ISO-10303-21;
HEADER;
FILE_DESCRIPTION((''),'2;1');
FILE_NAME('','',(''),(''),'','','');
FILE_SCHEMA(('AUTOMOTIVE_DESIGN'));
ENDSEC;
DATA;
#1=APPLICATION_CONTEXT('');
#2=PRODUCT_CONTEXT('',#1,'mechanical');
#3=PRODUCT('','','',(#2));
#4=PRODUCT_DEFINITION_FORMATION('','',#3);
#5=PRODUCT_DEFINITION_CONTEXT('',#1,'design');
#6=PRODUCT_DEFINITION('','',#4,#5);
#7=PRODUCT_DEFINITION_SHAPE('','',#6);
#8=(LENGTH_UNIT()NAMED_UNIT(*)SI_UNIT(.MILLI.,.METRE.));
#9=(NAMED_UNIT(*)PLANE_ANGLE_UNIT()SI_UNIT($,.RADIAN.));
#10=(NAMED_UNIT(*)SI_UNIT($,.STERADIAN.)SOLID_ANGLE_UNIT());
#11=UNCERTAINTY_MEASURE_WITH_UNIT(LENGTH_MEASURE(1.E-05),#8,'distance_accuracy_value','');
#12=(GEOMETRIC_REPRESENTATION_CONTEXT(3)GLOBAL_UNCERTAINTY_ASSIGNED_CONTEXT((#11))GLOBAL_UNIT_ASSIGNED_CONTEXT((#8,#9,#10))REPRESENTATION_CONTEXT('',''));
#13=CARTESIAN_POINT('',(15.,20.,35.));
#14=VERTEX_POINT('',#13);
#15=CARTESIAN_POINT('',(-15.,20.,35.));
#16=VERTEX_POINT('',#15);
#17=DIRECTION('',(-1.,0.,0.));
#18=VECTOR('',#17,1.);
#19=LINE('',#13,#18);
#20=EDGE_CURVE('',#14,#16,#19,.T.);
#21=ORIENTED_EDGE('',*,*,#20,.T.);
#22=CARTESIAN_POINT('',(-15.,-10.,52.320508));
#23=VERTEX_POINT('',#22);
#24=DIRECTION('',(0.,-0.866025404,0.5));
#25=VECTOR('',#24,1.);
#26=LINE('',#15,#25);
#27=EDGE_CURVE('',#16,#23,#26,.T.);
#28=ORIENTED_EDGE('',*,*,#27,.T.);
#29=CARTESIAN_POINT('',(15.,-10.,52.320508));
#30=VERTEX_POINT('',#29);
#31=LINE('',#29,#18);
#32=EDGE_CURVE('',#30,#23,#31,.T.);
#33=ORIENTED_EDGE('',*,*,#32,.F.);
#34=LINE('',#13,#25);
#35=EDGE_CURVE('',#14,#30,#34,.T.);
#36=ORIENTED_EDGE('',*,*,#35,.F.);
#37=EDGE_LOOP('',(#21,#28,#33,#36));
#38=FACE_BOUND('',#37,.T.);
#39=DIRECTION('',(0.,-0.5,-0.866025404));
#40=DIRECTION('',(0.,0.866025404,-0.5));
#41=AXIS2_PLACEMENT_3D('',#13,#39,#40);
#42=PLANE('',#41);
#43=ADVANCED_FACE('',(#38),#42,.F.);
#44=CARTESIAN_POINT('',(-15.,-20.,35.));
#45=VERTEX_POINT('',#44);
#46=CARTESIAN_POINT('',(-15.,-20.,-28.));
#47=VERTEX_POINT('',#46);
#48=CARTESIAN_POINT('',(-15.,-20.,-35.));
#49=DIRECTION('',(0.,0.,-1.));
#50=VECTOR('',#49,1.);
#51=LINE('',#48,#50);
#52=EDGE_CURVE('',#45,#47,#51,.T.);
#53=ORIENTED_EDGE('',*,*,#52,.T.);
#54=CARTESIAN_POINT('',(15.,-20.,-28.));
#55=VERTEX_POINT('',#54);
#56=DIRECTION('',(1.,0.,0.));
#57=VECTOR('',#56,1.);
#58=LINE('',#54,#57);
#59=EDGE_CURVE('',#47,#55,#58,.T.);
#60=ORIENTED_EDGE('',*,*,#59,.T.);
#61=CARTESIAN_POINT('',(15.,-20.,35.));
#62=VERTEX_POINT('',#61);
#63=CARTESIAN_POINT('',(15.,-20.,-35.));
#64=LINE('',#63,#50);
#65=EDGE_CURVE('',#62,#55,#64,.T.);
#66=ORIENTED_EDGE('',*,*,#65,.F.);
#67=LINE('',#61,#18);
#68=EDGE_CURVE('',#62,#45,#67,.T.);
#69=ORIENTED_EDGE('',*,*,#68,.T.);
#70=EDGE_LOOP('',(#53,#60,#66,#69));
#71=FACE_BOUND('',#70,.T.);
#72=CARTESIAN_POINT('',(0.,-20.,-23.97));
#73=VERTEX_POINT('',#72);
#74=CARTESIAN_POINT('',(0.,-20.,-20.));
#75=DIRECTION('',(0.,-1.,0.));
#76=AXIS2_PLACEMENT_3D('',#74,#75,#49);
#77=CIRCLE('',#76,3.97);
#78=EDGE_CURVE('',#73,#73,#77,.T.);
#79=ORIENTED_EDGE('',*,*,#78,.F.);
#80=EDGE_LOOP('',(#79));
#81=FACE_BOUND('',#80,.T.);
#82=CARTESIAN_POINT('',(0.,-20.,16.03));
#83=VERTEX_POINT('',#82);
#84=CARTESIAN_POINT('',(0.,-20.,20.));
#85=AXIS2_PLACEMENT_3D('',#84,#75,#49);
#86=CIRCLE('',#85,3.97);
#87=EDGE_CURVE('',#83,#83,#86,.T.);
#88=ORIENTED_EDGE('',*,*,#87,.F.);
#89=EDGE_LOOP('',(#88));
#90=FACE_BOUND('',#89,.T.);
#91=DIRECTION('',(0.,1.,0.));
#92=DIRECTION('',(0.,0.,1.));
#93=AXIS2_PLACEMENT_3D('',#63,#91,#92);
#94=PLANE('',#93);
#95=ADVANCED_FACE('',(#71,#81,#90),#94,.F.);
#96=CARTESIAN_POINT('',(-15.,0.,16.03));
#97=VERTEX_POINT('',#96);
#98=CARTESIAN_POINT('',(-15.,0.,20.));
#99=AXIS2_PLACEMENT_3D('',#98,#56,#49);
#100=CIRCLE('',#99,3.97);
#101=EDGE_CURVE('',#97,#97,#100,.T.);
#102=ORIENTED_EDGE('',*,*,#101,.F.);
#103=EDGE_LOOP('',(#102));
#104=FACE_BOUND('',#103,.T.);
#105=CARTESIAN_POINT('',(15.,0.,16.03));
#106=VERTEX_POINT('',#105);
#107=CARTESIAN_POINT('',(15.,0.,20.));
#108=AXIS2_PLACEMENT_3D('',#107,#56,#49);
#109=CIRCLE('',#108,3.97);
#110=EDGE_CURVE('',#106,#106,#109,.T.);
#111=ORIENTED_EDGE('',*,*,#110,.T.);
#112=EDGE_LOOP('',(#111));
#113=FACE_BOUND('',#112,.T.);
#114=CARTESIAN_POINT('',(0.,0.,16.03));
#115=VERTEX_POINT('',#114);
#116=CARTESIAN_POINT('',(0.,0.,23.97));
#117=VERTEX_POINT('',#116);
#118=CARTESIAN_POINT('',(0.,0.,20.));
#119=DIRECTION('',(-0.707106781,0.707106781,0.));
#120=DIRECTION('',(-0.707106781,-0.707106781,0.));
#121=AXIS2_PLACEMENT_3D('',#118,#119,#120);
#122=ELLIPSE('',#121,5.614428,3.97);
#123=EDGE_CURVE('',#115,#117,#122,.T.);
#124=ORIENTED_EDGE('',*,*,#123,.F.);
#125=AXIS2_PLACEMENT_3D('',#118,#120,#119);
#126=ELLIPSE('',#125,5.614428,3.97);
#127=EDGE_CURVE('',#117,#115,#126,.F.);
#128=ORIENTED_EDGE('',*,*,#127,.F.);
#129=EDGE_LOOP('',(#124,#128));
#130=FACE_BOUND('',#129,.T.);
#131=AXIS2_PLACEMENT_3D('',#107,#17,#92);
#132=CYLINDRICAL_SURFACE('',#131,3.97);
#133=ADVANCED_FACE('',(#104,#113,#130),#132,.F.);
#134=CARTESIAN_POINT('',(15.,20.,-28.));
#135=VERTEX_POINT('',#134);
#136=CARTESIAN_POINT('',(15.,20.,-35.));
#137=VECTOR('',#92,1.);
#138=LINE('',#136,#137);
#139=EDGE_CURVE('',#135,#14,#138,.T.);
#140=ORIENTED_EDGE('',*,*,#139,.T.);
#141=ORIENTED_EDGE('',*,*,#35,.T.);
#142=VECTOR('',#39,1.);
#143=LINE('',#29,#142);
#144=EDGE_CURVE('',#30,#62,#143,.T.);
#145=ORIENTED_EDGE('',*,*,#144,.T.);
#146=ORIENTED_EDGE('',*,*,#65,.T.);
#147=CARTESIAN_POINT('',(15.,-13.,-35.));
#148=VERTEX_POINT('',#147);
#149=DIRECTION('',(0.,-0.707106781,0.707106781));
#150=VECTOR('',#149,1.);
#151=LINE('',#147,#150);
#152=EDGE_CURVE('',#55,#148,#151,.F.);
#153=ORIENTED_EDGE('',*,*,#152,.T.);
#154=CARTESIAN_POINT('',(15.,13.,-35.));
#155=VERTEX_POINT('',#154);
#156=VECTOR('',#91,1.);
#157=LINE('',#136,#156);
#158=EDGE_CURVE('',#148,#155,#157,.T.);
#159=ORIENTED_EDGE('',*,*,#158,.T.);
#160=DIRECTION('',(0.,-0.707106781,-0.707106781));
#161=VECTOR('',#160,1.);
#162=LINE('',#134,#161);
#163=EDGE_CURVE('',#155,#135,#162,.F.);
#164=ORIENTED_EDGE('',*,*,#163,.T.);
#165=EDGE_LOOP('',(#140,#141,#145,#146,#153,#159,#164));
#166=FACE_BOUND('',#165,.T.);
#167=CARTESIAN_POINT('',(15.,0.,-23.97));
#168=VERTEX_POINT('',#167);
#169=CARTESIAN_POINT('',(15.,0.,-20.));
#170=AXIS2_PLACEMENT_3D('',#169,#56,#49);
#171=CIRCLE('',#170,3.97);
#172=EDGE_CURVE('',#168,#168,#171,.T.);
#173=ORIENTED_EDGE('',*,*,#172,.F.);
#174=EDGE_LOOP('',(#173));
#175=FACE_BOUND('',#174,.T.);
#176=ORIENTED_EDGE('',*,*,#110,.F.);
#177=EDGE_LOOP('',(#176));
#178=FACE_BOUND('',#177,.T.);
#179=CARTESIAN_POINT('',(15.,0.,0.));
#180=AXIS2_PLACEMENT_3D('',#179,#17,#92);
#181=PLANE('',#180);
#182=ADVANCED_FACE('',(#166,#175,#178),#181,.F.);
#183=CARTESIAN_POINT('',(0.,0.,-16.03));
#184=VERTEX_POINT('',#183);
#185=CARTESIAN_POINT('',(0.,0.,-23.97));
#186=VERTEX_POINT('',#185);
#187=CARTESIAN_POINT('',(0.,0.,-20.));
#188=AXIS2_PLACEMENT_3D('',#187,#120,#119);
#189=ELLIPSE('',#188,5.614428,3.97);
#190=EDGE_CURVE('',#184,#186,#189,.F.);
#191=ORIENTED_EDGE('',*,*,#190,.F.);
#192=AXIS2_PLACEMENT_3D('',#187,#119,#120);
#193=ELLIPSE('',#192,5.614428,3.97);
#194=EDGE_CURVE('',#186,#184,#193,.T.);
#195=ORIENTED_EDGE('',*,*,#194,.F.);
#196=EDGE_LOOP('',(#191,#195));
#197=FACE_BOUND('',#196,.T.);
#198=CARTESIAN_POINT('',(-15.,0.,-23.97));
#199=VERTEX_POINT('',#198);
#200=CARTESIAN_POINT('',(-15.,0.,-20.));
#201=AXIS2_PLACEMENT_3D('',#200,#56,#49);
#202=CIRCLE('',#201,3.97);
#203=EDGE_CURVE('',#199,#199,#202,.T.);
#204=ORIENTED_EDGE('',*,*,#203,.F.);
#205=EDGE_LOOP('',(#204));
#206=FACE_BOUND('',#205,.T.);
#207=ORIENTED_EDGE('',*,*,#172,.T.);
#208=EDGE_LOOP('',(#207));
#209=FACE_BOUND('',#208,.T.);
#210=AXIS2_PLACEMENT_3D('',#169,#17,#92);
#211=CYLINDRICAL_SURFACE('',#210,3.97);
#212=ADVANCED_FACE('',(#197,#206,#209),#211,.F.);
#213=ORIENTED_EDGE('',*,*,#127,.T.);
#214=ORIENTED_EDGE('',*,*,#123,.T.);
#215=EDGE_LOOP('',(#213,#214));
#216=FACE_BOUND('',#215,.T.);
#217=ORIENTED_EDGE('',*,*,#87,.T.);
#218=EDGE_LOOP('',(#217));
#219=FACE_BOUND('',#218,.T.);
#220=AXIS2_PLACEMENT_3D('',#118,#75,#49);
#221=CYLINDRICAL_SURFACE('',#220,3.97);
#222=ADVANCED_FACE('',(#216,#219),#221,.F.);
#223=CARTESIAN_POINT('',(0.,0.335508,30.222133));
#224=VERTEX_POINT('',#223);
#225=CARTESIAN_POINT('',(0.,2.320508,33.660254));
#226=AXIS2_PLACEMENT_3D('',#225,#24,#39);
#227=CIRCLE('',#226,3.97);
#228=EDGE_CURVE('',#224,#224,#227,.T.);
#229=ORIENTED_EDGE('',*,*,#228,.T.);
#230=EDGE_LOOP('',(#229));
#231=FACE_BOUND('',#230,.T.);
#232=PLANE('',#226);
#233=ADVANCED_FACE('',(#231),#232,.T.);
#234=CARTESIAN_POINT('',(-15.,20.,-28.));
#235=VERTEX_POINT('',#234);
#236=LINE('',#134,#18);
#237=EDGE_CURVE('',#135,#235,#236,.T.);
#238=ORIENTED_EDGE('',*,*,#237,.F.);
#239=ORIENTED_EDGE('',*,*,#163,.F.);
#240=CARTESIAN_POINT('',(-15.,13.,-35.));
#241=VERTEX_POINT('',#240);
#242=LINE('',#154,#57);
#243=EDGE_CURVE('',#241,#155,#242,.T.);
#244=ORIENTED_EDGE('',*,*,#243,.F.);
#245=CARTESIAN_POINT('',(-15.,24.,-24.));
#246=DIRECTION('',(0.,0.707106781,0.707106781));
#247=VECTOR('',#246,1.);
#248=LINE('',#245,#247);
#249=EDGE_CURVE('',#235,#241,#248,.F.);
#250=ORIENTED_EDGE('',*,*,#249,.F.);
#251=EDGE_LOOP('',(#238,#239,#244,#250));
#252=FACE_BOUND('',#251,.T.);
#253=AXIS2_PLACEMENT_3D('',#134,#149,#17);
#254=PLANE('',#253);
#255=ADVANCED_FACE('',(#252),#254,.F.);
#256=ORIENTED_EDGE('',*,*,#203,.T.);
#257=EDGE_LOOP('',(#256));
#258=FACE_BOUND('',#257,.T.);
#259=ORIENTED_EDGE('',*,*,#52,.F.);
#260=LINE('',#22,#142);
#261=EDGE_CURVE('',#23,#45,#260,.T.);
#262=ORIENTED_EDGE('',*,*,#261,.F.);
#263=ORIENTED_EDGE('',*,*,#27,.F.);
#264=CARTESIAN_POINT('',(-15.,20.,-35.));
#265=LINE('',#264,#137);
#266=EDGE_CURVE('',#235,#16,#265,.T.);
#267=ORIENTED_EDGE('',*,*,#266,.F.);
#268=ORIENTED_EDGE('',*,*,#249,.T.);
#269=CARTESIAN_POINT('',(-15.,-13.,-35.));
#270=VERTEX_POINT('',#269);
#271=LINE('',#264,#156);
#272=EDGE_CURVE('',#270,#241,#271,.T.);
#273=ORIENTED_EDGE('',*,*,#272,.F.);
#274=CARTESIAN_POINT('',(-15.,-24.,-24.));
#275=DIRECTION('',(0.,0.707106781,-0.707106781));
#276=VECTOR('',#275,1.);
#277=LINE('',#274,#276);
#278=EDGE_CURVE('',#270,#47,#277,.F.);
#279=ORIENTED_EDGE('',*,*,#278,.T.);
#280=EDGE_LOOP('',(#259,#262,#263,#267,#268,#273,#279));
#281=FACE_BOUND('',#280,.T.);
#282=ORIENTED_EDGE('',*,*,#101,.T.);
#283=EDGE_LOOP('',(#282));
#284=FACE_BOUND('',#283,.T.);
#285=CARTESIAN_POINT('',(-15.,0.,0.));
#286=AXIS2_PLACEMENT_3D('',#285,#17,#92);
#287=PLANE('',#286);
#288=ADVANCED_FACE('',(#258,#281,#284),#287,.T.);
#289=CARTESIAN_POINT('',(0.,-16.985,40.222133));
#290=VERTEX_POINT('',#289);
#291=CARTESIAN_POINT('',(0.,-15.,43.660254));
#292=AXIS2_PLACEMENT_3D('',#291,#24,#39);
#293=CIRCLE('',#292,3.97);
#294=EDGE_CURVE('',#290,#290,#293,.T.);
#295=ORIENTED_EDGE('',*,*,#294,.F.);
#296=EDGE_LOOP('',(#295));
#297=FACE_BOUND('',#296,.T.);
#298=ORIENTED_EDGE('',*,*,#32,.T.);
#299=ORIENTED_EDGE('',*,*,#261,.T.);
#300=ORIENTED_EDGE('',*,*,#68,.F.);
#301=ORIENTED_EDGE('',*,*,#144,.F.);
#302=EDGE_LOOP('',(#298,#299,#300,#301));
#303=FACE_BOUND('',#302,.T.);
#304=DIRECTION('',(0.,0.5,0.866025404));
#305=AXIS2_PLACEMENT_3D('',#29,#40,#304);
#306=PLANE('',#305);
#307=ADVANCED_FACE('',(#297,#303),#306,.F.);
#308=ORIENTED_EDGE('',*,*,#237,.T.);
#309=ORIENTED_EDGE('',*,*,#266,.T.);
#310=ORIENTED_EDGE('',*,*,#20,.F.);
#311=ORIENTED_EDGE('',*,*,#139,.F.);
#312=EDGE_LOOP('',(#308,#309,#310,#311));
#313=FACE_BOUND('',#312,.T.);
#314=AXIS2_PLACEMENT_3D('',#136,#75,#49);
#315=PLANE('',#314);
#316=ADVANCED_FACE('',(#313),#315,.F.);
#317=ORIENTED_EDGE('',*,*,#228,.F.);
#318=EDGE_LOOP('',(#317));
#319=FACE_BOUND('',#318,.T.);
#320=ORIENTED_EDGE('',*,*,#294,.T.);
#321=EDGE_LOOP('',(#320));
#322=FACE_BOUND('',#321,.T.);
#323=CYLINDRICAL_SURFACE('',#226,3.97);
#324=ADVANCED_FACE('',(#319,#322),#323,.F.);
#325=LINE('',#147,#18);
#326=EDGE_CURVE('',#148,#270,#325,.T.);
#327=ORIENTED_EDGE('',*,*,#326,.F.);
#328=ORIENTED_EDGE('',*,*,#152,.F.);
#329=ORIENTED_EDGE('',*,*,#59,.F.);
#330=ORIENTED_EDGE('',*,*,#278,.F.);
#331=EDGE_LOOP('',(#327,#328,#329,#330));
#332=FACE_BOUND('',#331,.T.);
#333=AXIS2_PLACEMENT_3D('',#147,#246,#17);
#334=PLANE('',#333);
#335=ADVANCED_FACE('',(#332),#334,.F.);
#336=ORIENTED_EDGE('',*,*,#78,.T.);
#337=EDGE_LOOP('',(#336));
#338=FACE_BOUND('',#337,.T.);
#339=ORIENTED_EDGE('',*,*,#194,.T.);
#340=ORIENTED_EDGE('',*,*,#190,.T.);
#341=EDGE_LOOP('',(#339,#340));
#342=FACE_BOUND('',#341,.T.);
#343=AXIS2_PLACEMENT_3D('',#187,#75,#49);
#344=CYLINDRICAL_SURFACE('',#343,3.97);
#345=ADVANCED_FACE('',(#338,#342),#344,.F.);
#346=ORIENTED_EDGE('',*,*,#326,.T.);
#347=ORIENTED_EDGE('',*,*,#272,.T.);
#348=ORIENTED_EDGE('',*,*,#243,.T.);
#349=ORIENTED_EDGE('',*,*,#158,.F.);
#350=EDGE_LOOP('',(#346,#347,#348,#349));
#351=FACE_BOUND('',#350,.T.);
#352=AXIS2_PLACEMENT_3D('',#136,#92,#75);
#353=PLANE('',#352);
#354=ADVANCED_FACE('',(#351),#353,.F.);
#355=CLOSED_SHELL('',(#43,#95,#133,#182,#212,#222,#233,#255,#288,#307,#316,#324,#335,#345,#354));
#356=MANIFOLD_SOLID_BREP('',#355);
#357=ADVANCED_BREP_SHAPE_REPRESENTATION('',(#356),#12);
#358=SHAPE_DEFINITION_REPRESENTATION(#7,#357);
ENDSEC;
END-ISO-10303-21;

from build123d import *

# Parameters (mm, degrees)
ESBO_O1_R                = 3.97
RESSALTO_EXTRUS_O1_DEPTH = 15
ESBO_O2_R                = 3.97
CORTE_EXTRUS_O2_DEPTH    = 20
CHANFRO1_SIZE            = 7
ESBO_O4_R                = 3.97
CORTE_EXTRUS_O4_DEPTH    = 20


with BuildPart() as part:
    # Esboço1 → Ressalto-extrusão1 (new body, symmetric)
    with BuildSketch(Plane(origin=(0, 0, 0), x_dir=(0, 0, -1), z_dir=(1, 0, 0))):
        Polygon((35, 20), (-35, 20), (-52.320508076, -10), (-35, -20), (35, -20), align=None)
        with Locations((-20, 0)):
            Circle(ESBO_O1_R, mode=Mode.SUBTRACT)
        with Locations((20, 0)):
            Circle(ESBO_O1_R, mode=Mode.SUBTRACT)
    extrude(amount=RESSALTO_EXTRUS_O1_DEPTH, both=True)

    # Esboço2 → Corte-extrusão2 (cut)
    with BuildSketch(Plane.XZ.offset(20)):
        with Locations((0, 20)):
            Circle(ESBO_O2_R)
        with Locations((0, -20)):
            Circle(ESBO_O2_R)
    extrude(amount=-CORTE_EXTRUS_O2_DEPTH, mode=Mode.SUBTRACT)

    # Chanfro1
    chanfro1_edges = [part.edges().sort_by_distance(p)[0] for p in [
        (0, 20, -35),
        (0, -20, -35),
    ]]
    chamfer(chanfro1_edges, length=CHANFRO1_SIZE)

    # Esboço4 → Corte-extrusão4 (cut)
    with BuildSketch(Plane(origin=(0, -30.155444566, 17.410254038), x_dir=(1, 0, 0), z_dir=(0, -0.866025404, 0.5))):
        with Locations((0, 30.310889132)):
            Circle(ESBO_O4_R)
    extrude(amount=-CORTE_EXTRUS_O4_DEPTH, mode=Mode.SUBTRACT)


solid = part.part
